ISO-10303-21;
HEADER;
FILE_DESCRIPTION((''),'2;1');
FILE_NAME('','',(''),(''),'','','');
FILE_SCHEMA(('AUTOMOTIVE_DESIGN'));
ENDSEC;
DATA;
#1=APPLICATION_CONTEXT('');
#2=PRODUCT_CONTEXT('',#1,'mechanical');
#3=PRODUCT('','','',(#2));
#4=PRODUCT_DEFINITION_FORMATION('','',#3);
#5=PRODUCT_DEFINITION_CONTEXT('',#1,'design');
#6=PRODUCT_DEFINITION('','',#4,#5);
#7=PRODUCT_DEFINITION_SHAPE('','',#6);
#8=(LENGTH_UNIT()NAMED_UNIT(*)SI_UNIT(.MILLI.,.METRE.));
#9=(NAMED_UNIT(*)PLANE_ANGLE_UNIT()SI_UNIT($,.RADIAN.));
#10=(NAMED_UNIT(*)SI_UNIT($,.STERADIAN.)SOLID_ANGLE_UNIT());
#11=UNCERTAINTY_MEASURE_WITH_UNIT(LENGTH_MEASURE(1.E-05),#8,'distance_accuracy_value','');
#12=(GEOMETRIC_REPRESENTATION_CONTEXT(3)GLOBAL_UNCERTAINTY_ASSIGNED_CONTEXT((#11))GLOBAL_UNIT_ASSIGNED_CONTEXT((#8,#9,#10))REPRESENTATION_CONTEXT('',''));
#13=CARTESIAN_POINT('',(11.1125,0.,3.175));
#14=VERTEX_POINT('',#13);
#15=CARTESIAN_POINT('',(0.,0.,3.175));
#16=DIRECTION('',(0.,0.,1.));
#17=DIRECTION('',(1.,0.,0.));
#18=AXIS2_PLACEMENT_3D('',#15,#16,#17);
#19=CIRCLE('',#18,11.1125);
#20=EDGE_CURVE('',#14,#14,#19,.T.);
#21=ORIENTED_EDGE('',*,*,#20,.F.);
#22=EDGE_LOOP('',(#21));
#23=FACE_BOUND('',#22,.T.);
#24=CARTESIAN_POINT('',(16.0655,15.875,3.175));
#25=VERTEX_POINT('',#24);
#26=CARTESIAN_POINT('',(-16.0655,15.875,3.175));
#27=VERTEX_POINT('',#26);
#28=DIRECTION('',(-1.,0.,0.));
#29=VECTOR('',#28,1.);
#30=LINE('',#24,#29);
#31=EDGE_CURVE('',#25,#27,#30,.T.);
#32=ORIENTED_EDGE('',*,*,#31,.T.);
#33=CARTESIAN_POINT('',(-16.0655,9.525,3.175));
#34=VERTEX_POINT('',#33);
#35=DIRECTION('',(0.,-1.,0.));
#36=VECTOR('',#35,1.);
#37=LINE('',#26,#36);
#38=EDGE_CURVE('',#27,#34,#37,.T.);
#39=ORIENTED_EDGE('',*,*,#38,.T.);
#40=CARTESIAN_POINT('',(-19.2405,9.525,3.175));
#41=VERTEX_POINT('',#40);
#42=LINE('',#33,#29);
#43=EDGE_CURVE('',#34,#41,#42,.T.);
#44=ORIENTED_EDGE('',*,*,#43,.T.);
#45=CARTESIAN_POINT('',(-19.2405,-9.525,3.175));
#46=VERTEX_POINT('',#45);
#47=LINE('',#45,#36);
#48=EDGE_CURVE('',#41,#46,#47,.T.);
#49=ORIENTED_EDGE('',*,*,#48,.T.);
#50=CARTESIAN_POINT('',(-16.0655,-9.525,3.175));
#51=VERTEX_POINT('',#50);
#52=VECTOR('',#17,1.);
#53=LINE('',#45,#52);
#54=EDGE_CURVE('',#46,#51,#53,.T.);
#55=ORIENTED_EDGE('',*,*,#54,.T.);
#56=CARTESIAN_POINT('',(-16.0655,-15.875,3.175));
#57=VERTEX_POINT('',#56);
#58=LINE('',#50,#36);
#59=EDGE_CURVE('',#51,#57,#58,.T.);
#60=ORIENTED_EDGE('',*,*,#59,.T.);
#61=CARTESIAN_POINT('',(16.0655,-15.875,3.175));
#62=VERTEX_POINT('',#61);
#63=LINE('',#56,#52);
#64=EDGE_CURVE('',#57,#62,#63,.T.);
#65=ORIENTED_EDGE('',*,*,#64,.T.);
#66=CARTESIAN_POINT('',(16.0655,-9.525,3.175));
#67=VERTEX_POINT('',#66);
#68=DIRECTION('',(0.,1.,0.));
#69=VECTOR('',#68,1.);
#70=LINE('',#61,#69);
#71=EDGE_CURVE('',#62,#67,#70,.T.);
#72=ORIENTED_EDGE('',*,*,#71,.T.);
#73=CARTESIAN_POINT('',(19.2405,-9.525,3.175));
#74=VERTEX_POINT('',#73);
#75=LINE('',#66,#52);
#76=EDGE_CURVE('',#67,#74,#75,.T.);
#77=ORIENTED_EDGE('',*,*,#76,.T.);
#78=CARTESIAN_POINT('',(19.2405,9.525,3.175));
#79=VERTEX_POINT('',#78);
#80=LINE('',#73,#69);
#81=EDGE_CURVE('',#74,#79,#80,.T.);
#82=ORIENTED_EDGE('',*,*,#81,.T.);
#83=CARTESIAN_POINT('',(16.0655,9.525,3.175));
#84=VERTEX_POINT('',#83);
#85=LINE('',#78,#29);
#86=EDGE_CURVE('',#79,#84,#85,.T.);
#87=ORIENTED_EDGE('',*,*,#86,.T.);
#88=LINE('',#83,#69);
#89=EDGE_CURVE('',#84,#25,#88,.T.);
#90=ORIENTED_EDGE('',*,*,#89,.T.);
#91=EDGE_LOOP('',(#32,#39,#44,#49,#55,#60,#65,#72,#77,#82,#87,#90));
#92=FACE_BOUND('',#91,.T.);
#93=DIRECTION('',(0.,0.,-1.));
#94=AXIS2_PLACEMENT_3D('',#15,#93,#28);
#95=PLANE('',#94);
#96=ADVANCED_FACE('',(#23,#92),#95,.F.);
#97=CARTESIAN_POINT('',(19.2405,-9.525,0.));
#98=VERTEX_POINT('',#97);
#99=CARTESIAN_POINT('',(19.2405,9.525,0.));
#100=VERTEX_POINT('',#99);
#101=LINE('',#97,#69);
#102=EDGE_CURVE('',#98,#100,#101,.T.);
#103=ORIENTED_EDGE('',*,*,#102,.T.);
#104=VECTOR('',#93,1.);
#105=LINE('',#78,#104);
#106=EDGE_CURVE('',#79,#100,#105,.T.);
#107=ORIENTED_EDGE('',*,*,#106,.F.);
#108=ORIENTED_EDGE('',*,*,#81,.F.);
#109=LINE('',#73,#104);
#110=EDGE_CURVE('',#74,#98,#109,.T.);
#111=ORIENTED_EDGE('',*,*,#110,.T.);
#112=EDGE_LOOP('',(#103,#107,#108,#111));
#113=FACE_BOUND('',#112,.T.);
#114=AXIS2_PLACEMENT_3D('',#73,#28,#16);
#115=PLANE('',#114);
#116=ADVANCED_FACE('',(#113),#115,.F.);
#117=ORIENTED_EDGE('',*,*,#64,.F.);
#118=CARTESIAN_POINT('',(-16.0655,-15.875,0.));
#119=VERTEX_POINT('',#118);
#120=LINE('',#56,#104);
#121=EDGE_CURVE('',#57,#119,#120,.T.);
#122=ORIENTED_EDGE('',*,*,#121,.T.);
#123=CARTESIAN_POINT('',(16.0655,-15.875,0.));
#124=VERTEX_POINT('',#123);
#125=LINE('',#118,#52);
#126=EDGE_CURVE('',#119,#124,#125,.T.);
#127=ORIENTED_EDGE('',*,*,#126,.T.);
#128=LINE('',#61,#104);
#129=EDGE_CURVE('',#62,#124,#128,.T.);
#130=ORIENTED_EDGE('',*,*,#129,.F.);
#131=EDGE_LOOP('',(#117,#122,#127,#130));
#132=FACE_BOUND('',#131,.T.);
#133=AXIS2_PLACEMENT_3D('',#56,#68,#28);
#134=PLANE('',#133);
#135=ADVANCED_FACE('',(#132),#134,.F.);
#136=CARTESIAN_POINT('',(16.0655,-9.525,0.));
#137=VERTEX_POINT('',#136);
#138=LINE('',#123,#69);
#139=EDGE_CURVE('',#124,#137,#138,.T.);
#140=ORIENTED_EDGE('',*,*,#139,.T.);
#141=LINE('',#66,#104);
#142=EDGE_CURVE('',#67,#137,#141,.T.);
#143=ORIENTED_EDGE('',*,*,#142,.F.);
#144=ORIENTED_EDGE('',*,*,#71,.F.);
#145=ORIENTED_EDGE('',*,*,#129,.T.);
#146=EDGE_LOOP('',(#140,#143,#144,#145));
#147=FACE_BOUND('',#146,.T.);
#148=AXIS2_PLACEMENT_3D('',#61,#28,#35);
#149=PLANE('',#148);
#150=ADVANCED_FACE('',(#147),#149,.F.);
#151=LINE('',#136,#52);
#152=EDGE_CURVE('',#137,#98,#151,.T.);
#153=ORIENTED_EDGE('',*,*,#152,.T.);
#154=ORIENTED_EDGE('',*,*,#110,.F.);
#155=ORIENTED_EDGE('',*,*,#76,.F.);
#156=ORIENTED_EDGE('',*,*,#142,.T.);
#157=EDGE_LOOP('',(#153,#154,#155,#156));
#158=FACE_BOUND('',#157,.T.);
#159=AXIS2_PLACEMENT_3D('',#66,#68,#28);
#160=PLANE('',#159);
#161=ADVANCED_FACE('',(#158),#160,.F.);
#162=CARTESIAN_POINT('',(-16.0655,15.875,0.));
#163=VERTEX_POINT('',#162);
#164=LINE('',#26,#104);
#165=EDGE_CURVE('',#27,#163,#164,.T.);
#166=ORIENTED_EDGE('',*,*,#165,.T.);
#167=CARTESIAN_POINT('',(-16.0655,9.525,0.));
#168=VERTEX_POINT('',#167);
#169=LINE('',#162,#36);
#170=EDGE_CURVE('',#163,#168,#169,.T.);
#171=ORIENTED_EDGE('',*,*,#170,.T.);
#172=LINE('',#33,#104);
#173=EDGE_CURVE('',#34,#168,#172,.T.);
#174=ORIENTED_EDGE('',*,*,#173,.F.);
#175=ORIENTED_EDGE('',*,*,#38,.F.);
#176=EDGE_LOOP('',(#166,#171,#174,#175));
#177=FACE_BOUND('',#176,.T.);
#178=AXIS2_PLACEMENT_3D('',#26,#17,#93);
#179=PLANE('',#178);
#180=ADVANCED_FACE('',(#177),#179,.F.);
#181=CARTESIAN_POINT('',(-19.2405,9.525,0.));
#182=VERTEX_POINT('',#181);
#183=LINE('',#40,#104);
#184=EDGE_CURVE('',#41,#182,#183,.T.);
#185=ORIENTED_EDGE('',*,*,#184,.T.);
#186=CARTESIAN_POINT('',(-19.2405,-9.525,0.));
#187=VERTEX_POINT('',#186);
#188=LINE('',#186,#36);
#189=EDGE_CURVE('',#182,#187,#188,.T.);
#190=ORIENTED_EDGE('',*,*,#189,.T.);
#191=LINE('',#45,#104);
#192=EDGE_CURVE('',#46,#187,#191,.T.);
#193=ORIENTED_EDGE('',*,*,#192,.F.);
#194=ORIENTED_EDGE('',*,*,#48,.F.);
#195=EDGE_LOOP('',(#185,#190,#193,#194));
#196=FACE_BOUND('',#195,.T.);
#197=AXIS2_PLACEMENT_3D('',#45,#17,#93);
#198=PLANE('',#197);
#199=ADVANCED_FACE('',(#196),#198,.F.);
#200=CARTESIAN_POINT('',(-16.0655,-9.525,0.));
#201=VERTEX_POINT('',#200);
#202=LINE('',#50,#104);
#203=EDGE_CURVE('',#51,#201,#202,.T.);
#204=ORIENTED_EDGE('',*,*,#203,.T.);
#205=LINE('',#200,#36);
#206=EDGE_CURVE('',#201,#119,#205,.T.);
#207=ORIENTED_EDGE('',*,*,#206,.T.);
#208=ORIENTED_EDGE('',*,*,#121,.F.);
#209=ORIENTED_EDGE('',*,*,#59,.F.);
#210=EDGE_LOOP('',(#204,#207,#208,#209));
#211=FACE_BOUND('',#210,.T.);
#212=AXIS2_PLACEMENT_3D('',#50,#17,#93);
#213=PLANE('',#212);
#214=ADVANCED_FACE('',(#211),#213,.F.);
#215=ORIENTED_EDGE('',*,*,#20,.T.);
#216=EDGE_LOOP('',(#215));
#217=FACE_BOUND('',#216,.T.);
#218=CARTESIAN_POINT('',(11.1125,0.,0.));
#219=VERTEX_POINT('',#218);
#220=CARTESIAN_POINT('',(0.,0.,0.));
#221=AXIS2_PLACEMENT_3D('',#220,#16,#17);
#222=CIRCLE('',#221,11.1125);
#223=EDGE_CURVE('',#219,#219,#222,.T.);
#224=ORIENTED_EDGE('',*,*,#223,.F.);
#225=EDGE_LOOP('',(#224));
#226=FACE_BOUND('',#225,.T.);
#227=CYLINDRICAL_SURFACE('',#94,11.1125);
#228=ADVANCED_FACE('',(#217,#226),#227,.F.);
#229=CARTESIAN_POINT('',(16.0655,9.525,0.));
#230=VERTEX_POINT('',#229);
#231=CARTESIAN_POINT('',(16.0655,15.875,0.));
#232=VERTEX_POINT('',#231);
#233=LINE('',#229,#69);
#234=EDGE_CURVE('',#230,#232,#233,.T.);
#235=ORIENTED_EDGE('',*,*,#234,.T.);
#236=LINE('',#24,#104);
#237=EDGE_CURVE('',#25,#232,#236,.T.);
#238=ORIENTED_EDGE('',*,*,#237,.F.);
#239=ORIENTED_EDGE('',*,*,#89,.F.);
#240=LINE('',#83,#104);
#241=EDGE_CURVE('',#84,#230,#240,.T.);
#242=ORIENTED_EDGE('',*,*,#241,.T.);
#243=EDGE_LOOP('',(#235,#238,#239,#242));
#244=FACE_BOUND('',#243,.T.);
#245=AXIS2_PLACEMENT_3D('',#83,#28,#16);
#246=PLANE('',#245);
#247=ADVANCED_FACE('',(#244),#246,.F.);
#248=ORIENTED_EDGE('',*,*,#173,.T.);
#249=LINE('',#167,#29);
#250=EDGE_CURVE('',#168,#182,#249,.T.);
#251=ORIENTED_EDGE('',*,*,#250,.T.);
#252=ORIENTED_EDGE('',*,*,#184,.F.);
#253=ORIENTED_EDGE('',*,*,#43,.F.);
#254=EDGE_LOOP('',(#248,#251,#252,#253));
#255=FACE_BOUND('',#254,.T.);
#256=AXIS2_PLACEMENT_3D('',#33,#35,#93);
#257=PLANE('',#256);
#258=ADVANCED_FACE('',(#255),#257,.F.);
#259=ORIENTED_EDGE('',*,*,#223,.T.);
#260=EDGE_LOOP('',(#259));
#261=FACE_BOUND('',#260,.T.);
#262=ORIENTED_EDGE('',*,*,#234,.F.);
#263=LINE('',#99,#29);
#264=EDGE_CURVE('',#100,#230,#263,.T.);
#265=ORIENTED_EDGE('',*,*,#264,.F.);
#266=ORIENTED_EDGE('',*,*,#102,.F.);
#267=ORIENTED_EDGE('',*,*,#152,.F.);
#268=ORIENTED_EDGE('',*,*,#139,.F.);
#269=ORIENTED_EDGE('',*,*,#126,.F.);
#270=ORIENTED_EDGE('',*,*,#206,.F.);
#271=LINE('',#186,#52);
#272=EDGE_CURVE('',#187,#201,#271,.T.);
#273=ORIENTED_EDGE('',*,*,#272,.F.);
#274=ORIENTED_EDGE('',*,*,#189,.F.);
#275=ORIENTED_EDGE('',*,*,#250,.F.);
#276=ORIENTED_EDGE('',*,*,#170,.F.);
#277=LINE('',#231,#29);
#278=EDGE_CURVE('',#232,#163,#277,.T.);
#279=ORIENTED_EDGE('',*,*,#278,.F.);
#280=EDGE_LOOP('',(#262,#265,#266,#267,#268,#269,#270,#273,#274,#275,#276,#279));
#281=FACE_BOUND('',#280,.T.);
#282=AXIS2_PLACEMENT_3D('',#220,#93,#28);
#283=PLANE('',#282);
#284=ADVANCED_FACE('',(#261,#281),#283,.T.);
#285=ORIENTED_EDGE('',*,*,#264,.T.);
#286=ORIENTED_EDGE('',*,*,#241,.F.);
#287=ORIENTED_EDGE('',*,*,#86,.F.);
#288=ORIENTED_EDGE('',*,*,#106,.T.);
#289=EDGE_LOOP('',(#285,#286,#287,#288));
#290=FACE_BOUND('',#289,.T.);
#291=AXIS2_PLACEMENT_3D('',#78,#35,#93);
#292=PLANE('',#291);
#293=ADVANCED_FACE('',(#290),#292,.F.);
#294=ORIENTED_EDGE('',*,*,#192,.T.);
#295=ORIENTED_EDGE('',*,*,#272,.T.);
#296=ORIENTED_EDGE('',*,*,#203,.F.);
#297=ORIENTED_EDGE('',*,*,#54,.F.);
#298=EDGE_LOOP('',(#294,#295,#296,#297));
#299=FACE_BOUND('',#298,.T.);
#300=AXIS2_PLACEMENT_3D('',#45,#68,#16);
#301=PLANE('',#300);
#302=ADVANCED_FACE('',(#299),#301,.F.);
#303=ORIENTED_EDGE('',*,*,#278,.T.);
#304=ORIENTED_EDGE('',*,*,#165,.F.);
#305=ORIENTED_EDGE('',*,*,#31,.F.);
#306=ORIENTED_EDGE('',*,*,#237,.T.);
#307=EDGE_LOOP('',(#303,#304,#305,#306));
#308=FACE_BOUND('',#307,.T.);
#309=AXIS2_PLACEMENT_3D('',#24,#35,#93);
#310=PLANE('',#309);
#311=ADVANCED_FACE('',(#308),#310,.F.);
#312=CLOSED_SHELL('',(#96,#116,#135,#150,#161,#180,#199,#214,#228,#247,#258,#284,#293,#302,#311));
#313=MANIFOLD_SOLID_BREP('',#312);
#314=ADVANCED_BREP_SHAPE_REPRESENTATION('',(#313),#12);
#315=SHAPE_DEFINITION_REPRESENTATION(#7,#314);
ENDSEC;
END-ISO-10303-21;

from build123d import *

# Parameters (mm, degrees)
SKETCH1_R           = 11.1125
BOSS_EXTRUDE1_DEPTH = 3.175


with BuildPart() as part:
    # Sketch1 → Boss-Extrude1 (new body)
    with BuildSketch(Plane.XY):
        Polygon((-19.2405, -9.525), (-19.2405, 9.525), (-16.0655, 9.525), (-16.0655, 15.875), (16.0655, 15.875), (16.0655, 9.525), (19.2405, 9.525), (19.2405, -9.525), (16.0655, -9.525), (16.0655, -15.875), (-16.0655, -15.875), (-16.0655, -9.525), align=None)
        Circle(SKETCH1_R, mode=Mode.SUBTRACT)
    extrude(amount=BOSS_EXTRUDE1_DEPTH)


solid = part.part
